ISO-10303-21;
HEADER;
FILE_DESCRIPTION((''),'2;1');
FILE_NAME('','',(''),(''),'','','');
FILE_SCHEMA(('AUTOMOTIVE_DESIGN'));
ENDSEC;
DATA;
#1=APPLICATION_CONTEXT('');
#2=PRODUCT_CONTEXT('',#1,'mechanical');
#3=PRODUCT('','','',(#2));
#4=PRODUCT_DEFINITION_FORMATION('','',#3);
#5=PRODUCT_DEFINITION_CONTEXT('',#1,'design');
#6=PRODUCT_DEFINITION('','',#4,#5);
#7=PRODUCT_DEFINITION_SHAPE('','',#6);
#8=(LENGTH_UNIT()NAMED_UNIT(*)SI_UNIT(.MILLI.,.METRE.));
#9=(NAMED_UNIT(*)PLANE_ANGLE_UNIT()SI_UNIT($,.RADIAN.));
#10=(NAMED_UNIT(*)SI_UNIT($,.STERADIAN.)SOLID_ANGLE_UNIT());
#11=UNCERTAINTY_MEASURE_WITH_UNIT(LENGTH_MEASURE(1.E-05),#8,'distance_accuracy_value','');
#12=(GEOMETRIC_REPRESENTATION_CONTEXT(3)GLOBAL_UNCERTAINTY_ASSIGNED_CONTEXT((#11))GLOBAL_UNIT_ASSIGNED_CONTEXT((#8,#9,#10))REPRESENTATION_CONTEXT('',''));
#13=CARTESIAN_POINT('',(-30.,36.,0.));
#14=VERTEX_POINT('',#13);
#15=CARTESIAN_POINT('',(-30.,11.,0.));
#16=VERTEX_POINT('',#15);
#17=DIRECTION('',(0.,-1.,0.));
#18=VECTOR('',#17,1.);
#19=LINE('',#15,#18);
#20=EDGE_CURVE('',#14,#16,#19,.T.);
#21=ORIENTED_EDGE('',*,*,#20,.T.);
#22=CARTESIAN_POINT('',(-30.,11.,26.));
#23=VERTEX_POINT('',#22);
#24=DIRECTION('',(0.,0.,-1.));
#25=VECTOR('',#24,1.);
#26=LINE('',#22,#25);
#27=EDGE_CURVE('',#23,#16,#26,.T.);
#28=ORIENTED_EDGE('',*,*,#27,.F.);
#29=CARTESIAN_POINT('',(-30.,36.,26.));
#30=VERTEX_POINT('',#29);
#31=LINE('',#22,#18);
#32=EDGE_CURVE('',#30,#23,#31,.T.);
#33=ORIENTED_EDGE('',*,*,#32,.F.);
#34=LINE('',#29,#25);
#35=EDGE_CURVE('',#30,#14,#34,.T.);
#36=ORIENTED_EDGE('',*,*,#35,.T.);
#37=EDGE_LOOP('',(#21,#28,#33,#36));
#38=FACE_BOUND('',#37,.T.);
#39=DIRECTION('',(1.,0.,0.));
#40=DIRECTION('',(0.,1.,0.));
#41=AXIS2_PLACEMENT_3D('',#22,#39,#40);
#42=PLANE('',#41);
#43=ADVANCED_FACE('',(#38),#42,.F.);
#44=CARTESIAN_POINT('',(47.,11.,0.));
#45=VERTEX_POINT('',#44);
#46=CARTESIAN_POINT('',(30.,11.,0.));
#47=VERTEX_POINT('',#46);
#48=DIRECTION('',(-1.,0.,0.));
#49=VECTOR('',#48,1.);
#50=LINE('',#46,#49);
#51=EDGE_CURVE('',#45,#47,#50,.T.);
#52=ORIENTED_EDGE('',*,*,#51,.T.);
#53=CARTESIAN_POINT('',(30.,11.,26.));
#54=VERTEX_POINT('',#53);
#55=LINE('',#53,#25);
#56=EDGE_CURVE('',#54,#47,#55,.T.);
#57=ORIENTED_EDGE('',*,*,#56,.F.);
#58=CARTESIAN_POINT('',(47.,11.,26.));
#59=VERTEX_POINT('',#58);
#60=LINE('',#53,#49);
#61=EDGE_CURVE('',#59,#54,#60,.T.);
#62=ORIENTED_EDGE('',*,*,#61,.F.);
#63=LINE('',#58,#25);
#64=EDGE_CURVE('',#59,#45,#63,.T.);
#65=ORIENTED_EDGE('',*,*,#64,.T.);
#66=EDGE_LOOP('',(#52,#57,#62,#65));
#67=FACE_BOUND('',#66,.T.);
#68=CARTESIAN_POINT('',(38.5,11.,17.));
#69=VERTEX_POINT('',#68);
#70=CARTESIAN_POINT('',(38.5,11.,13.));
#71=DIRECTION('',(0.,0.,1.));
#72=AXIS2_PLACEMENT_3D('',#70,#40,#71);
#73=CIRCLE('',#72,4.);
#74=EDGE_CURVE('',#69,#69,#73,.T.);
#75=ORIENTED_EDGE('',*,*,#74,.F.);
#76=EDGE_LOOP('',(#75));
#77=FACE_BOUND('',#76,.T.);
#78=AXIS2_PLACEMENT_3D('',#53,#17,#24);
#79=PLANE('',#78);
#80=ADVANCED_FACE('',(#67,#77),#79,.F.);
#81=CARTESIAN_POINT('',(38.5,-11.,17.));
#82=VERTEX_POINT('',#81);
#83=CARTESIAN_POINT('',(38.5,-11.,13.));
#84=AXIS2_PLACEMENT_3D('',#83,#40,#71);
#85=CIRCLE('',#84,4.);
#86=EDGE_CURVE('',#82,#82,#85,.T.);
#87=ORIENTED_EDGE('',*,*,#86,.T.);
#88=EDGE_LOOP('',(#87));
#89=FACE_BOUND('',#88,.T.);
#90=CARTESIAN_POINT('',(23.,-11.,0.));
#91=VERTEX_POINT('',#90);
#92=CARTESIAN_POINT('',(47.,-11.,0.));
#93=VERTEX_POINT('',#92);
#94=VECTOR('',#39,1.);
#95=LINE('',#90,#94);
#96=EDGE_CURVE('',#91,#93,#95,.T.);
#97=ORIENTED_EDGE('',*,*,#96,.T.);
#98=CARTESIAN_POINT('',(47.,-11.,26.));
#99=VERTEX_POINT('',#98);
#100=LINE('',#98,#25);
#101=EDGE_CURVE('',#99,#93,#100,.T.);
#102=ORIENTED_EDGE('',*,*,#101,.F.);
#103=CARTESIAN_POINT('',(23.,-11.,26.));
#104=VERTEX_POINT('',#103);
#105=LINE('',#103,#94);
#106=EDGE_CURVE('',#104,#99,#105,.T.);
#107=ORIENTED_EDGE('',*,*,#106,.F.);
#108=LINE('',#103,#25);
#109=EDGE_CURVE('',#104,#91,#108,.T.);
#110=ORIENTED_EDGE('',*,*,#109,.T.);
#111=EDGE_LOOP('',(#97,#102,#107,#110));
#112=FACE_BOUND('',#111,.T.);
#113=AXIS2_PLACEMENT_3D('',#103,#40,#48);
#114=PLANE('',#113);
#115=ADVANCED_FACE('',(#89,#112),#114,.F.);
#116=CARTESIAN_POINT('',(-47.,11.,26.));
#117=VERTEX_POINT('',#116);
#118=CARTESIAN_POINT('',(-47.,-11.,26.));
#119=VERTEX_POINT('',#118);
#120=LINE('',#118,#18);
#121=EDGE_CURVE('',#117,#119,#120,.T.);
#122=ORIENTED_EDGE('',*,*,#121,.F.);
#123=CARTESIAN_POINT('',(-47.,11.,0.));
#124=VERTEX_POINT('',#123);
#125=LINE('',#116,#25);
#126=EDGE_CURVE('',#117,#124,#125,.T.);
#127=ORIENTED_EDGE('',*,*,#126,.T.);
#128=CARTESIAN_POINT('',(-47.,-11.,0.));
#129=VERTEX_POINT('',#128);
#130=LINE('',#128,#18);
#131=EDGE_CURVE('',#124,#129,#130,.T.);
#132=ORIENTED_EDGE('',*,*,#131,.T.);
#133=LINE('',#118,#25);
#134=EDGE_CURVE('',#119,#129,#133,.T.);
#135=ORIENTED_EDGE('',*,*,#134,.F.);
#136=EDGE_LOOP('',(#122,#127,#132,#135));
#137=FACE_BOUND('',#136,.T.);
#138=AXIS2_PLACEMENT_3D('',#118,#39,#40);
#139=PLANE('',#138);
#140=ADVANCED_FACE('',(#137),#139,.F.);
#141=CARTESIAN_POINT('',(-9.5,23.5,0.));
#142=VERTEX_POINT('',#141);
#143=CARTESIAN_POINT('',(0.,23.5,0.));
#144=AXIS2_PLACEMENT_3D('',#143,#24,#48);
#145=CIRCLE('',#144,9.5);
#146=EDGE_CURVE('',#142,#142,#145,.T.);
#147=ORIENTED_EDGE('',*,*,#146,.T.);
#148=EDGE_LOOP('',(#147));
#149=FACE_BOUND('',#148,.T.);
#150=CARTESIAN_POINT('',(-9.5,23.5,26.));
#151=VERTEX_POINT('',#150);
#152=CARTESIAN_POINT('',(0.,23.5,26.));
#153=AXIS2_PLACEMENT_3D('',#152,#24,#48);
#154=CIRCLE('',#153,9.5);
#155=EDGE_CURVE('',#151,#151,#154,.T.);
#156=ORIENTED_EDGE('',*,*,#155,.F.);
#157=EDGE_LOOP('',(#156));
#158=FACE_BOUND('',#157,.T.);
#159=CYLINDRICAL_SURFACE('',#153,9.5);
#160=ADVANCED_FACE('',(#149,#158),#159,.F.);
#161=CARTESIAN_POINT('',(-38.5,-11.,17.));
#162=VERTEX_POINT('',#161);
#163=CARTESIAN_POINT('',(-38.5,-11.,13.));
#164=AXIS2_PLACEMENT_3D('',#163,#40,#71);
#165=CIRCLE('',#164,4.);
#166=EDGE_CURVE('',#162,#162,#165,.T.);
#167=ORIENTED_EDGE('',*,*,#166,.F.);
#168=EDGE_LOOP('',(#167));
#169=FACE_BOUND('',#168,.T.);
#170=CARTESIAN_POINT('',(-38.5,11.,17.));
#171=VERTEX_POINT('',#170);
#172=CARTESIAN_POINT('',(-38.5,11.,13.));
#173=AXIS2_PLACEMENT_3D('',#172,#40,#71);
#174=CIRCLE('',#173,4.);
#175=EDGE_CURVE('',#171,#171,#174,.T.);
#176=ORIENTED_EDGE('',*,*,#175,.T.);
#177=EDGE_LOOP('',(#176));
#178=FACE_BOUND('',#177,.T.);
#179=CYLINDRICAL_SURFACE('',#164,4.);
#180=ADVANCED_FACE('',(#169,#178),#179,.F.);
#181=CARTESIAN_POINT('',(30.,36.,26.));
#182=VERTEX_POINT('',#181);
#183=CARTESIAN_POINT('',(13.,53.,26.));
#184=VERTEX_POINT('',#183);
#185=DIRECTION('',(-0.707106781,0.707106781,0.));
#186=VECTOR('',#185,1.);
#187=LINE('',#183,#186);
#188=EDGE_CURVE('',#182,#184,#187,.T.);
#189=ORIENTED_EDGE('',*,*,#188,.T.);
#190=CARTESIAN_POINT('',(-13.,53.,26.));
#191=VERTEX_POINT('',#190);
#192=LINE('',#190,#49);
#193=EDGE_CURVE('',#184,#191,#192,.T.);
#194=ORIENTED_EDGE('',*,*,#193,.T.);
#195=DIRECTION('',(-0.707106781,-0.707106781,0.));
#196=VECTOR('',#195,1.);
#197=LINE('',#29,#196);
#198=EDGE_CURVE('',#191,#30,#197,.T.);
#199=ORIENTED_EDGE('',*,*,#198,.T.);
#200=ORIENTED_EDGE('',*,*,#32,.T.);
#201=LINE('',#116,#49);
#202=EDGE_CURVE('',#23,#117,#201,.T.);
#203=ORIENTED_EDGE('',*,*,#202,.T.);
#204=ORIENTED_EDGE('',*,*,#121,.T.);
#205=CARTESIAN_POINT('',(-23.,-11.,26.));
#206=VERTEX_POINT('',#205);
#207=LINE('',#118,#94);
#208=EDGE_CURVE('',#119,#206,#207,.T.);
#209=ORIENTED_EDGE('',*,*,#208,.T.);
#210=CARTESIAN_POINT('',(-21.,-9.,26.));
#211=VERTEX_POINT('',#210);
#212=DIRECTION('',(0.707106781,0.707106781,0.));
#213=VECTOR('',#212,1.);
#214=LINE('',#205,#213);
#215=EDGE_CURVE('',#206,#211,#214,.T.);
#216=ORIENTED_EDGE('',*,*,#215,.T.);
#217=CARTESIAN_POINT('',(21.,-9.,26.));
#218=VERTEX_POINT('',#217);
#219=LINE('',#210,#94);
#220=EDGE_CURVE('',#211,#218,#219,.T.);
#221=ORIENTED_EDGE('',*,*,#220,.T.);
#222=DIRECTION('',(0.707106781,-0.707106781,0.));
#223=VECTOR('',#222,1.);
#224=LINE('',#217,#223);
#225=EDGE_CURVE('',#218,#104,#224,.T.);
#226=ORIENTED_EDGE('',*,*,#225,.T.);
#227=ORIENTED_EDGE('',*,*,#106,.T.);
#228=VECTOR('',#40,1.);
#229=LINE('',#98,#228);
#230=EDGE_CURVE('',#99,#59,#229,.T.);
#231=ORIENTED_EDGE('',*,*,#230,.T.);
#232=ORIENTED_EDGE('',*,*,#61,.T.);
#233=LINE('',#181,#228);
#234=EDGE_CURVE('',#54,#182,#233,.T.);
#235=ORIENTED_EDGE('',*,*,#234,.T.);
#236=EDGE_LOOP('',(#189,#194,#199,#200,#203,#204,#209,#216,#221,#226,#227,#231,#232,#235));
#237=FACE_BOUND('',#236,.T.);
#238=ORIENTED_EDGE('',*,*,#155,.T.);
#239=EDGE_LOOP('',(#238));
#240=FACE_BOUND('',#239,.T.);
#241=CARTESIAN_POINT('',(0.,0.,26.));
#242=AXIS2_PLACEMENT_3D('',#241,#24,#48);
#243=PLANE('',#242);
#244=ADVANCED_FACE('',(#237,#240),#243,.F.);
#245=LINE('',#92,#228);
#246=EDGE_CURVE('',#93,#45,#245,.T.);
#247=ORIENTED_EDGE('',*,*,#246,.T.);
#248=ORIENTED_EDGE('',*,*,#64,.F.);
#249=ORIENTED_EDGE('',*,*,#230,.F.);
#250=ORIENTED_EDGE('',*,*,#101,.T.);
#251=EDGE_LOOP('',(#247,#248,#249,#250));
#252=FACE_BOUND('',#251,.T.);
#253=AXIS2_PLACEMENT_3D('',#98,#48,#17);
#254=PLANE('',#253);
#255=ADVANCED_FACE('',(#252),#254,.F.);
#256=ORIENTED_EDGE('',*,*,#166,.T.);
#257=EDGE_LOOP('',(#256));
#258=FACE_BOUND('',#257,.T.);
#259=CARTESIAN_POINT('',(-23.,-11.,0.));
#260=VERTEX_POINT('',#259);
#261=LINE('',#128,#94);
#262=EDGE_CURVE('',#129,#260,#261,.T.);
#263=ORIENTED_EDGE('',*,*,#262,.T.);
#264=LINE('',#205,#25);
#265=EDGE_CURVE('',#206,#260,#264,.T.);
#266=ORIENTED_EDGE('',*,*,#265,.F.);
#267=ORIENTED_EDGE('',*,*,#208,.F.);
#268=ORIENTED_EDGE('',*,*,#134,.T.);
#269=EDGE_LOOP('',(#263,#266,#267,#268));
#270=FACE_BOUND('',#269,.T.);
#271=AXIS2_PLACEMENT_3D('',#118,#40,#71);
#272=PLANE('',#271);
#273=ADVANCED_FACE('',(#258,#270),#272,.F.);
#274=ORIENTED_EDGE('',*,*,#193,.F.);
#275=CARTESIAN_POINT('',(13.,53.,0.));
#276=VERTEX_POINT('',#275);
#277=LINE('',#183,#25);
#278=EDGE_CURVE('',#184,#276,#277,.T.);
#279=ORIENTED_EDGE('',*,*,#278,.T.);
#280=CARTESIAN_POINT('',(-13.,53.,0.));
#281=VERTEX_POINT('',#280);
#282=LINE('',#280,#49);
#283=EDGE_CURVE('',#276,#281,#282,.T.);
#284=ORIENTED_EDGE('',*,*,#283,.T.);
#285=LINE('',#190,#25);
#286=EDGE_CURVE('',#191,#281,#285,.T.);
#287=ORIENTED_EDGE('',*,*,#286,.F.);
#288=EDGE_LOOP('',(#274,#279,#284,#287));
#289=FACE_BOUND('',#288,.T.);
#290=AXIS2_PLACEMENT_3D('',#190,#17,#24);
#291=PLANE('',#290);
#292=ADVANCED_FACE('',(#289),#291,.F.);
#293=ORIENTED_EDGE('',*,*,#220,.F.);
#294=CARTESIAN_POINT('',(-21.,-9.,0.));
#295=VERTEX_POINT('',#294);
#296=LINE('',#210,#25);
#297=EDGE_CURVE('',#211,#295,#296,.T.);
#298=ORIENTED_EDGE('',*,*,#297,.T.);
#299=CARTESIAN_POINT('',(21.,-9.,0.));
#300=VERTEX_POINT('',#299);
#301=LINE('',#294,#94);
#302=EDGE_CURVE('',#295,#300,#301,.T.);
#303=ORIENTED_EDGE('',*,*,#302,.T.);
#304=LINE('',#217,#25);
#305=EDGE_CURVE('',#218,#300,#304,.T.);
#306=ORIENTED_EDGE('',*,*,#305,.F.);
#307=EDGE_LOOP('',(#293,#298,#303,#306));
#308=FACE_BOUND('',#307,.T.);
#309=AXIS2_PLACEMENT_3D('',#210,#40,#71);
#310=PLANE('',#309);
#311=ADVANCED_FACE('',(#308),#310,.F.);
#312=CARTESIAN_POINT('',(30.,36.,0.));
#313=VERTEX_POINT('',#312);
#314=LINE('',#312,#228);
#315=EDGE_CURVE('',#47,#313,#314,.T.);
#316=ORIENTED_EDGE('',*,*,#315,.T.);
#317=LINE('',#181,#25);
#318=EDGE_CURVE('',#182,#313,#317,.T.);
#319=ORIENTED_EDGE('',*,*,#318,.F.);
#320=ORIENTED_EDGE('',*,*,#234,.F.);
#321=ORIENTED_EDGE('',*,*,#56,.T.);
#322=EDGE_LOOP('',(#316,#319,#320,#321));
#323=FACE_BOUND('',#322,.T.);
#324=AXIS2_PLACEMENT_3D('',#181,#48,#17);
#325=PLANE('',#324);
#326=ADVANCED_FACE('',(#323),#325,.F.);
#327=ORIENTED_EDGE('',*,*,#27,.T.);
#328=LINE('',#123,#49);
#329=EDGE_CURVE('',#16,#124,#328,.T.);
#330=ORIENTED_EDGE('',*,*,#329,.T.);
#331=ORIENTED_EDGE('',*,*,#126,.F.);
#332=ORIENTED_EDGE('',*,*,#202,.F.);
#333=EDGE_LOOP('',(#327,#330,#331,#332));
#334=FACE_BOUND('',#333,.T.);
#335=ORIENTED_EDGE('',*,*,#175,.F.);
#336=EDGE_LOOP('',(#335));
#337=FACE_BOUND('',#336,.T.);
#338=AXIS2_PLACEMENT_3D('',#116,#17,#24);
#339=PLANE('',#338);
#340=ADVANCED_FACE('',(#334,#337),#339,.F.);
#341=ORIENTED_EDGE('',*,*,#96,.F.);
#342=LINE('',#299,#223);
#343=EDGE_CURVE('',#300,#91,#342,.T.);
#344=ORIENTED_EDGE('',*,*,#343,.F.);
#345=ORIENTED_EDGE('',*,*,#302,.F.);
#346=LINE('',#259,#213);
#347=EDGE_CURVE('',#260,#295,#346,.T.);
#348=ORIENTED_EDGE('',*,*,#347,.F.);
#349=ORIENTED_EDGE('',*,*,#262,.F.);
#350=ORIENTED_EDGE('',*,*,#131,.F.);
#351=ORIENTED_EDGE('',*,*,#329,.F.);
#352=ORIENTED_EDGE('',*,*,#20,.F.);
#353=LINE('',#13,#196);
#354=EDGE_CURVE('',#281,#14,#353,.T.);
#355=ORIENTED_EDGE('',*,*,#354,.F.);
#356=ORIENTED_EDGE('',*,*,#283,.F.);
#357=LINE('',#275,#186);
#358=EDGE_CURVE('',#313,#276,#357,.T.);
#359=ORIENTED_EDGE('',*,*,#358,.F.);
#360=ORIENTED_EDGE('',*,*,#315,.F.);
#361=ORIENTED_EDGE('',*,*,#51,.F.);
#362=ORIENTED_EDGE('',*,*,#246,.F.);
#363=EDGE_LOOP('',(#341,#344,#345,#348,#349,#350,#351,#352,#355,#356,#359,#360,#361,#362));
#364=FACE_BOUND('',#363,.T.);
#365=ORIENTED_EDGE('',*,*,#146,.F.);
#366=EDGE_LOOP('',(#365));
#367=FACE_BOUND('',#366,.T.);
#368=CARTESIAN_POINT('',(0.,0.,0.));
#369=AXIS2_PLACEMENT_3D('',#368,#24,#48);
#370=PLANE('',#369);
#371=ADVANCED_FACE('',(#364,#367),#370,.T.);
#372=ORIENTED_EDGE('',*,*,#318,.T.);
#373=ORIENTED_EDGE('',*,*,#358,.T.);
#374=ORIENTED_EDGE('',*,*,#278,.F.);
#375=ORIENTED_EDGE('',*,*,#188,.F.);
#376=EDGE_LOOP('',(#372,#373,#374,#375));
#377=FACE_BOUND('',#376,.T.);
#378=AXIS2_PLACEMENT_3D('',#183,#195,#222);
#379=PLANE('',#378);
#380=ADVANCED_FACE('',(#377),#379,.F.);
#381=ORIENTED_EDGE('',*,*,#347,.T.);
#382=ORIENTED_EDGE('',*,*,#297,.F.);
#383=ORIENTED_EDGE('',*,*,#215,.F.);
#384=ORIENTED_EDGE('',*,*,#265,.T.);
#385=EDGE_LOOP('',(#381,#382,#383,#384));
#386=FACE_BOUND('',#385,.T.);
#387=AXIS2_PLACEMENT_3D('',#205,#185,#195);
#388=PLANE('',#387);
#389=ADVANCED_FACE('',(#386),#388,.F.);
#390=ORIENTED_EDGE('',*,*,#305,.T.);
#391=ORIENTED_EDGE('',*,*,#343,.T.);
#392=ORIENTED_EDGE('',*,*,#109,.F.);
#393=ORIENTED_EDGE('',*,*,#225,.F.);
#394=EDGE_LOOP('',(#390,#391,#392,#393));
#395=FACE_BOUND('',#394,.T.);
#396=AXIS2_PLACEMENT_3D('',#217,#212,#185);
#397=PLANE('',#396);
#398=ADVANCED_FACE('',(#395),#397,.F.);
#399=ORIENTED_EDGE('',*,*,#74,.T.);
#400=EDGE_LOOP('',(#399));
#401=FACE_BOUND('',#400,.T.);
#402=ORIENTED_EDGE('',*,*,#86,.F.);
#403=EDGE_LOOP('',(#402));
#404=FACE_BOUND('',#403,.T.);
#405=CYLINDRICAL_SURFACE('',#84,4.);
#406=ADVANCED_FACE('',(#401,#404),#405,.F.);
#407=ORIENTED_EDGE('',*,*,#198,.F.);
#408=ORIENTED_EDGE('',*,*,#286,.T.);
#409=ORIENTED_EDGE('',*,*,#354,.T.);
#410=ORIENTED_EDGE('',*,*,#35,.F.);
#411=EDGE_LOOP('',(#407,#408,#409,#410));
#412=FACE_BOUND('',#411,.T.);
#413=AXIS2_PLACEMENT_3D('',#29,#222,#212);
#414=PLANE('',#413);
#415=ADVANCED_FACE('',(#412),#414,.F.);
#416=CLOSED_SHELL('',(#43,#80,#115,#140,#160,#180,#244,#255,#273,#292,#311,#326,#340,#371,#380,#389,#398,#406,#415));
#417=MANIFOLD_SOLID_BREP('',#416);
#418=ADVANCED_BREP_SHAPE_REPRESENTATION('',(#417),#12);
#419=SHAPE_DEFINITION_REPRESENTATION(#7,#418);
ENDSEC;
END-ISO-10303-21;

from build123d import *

# Parameters (mm, degrees)
DODANIE_WYCI_GNI_CIE1_DEPTH = 26
SZKIC3_R                    = 9.5
WYTNIJ_WYCI_GNI_CIE1_DEPTH  = 26
SZKIC4_R                    = 4
WYTNIJ_WYCI_GNI_CIE2_DEPTH  = 22


with BuildPart() as part:
    # Szkic1 → Dodanie-wyciągnięcie1 (new body)
    with BuildSketch(Plane.XY):
        Polygon((-47, 11), (-30, 11), (-30, 36), (-13, 53), (13, 53), (30, 36), (30, 11), (47, 11), (47, -11), (23, -11), (21, -9), (-21, -9), (-23, -11), (-47, -11), align=None)
    extrude(amount=DODANIE_WYCI_GNI_CIE1_DEPTH)

    # Szkic3 → Wytnij-wyciągnięcie1 (cut)
    with BuildSketch(Plane(origin=(0, 0, 0), x_dir=(-1, 0, 0), z_dir=(0, 0, -1))):
        with Locations((0, 23.5)):
            Circle(SZKIC3_R)
    extrude(amount=-WYTNIJ_WYCI_GNI_CIE1_DEPTH, mode=Mode.SUBTRACT)

    # Szkic4 → Wytnij-wyciągnięcie2 (cut)
    with BuildSketch(Plane(origin=(0, 11, 0), x_dir=(1, 0, 0), z_dir=(0, 1, 0))):
        with Locations((38.5, -13)):
            Circle(SZKIC4_R)
        with Locations((-38.5, -13)):
            Circle(SZKIC4_R)
    extrude(amount=-WYTNIJ_WYCI_GNI_CIE2_DEPTH, mode=Mode.SUBTRACT)


solid = part.part
